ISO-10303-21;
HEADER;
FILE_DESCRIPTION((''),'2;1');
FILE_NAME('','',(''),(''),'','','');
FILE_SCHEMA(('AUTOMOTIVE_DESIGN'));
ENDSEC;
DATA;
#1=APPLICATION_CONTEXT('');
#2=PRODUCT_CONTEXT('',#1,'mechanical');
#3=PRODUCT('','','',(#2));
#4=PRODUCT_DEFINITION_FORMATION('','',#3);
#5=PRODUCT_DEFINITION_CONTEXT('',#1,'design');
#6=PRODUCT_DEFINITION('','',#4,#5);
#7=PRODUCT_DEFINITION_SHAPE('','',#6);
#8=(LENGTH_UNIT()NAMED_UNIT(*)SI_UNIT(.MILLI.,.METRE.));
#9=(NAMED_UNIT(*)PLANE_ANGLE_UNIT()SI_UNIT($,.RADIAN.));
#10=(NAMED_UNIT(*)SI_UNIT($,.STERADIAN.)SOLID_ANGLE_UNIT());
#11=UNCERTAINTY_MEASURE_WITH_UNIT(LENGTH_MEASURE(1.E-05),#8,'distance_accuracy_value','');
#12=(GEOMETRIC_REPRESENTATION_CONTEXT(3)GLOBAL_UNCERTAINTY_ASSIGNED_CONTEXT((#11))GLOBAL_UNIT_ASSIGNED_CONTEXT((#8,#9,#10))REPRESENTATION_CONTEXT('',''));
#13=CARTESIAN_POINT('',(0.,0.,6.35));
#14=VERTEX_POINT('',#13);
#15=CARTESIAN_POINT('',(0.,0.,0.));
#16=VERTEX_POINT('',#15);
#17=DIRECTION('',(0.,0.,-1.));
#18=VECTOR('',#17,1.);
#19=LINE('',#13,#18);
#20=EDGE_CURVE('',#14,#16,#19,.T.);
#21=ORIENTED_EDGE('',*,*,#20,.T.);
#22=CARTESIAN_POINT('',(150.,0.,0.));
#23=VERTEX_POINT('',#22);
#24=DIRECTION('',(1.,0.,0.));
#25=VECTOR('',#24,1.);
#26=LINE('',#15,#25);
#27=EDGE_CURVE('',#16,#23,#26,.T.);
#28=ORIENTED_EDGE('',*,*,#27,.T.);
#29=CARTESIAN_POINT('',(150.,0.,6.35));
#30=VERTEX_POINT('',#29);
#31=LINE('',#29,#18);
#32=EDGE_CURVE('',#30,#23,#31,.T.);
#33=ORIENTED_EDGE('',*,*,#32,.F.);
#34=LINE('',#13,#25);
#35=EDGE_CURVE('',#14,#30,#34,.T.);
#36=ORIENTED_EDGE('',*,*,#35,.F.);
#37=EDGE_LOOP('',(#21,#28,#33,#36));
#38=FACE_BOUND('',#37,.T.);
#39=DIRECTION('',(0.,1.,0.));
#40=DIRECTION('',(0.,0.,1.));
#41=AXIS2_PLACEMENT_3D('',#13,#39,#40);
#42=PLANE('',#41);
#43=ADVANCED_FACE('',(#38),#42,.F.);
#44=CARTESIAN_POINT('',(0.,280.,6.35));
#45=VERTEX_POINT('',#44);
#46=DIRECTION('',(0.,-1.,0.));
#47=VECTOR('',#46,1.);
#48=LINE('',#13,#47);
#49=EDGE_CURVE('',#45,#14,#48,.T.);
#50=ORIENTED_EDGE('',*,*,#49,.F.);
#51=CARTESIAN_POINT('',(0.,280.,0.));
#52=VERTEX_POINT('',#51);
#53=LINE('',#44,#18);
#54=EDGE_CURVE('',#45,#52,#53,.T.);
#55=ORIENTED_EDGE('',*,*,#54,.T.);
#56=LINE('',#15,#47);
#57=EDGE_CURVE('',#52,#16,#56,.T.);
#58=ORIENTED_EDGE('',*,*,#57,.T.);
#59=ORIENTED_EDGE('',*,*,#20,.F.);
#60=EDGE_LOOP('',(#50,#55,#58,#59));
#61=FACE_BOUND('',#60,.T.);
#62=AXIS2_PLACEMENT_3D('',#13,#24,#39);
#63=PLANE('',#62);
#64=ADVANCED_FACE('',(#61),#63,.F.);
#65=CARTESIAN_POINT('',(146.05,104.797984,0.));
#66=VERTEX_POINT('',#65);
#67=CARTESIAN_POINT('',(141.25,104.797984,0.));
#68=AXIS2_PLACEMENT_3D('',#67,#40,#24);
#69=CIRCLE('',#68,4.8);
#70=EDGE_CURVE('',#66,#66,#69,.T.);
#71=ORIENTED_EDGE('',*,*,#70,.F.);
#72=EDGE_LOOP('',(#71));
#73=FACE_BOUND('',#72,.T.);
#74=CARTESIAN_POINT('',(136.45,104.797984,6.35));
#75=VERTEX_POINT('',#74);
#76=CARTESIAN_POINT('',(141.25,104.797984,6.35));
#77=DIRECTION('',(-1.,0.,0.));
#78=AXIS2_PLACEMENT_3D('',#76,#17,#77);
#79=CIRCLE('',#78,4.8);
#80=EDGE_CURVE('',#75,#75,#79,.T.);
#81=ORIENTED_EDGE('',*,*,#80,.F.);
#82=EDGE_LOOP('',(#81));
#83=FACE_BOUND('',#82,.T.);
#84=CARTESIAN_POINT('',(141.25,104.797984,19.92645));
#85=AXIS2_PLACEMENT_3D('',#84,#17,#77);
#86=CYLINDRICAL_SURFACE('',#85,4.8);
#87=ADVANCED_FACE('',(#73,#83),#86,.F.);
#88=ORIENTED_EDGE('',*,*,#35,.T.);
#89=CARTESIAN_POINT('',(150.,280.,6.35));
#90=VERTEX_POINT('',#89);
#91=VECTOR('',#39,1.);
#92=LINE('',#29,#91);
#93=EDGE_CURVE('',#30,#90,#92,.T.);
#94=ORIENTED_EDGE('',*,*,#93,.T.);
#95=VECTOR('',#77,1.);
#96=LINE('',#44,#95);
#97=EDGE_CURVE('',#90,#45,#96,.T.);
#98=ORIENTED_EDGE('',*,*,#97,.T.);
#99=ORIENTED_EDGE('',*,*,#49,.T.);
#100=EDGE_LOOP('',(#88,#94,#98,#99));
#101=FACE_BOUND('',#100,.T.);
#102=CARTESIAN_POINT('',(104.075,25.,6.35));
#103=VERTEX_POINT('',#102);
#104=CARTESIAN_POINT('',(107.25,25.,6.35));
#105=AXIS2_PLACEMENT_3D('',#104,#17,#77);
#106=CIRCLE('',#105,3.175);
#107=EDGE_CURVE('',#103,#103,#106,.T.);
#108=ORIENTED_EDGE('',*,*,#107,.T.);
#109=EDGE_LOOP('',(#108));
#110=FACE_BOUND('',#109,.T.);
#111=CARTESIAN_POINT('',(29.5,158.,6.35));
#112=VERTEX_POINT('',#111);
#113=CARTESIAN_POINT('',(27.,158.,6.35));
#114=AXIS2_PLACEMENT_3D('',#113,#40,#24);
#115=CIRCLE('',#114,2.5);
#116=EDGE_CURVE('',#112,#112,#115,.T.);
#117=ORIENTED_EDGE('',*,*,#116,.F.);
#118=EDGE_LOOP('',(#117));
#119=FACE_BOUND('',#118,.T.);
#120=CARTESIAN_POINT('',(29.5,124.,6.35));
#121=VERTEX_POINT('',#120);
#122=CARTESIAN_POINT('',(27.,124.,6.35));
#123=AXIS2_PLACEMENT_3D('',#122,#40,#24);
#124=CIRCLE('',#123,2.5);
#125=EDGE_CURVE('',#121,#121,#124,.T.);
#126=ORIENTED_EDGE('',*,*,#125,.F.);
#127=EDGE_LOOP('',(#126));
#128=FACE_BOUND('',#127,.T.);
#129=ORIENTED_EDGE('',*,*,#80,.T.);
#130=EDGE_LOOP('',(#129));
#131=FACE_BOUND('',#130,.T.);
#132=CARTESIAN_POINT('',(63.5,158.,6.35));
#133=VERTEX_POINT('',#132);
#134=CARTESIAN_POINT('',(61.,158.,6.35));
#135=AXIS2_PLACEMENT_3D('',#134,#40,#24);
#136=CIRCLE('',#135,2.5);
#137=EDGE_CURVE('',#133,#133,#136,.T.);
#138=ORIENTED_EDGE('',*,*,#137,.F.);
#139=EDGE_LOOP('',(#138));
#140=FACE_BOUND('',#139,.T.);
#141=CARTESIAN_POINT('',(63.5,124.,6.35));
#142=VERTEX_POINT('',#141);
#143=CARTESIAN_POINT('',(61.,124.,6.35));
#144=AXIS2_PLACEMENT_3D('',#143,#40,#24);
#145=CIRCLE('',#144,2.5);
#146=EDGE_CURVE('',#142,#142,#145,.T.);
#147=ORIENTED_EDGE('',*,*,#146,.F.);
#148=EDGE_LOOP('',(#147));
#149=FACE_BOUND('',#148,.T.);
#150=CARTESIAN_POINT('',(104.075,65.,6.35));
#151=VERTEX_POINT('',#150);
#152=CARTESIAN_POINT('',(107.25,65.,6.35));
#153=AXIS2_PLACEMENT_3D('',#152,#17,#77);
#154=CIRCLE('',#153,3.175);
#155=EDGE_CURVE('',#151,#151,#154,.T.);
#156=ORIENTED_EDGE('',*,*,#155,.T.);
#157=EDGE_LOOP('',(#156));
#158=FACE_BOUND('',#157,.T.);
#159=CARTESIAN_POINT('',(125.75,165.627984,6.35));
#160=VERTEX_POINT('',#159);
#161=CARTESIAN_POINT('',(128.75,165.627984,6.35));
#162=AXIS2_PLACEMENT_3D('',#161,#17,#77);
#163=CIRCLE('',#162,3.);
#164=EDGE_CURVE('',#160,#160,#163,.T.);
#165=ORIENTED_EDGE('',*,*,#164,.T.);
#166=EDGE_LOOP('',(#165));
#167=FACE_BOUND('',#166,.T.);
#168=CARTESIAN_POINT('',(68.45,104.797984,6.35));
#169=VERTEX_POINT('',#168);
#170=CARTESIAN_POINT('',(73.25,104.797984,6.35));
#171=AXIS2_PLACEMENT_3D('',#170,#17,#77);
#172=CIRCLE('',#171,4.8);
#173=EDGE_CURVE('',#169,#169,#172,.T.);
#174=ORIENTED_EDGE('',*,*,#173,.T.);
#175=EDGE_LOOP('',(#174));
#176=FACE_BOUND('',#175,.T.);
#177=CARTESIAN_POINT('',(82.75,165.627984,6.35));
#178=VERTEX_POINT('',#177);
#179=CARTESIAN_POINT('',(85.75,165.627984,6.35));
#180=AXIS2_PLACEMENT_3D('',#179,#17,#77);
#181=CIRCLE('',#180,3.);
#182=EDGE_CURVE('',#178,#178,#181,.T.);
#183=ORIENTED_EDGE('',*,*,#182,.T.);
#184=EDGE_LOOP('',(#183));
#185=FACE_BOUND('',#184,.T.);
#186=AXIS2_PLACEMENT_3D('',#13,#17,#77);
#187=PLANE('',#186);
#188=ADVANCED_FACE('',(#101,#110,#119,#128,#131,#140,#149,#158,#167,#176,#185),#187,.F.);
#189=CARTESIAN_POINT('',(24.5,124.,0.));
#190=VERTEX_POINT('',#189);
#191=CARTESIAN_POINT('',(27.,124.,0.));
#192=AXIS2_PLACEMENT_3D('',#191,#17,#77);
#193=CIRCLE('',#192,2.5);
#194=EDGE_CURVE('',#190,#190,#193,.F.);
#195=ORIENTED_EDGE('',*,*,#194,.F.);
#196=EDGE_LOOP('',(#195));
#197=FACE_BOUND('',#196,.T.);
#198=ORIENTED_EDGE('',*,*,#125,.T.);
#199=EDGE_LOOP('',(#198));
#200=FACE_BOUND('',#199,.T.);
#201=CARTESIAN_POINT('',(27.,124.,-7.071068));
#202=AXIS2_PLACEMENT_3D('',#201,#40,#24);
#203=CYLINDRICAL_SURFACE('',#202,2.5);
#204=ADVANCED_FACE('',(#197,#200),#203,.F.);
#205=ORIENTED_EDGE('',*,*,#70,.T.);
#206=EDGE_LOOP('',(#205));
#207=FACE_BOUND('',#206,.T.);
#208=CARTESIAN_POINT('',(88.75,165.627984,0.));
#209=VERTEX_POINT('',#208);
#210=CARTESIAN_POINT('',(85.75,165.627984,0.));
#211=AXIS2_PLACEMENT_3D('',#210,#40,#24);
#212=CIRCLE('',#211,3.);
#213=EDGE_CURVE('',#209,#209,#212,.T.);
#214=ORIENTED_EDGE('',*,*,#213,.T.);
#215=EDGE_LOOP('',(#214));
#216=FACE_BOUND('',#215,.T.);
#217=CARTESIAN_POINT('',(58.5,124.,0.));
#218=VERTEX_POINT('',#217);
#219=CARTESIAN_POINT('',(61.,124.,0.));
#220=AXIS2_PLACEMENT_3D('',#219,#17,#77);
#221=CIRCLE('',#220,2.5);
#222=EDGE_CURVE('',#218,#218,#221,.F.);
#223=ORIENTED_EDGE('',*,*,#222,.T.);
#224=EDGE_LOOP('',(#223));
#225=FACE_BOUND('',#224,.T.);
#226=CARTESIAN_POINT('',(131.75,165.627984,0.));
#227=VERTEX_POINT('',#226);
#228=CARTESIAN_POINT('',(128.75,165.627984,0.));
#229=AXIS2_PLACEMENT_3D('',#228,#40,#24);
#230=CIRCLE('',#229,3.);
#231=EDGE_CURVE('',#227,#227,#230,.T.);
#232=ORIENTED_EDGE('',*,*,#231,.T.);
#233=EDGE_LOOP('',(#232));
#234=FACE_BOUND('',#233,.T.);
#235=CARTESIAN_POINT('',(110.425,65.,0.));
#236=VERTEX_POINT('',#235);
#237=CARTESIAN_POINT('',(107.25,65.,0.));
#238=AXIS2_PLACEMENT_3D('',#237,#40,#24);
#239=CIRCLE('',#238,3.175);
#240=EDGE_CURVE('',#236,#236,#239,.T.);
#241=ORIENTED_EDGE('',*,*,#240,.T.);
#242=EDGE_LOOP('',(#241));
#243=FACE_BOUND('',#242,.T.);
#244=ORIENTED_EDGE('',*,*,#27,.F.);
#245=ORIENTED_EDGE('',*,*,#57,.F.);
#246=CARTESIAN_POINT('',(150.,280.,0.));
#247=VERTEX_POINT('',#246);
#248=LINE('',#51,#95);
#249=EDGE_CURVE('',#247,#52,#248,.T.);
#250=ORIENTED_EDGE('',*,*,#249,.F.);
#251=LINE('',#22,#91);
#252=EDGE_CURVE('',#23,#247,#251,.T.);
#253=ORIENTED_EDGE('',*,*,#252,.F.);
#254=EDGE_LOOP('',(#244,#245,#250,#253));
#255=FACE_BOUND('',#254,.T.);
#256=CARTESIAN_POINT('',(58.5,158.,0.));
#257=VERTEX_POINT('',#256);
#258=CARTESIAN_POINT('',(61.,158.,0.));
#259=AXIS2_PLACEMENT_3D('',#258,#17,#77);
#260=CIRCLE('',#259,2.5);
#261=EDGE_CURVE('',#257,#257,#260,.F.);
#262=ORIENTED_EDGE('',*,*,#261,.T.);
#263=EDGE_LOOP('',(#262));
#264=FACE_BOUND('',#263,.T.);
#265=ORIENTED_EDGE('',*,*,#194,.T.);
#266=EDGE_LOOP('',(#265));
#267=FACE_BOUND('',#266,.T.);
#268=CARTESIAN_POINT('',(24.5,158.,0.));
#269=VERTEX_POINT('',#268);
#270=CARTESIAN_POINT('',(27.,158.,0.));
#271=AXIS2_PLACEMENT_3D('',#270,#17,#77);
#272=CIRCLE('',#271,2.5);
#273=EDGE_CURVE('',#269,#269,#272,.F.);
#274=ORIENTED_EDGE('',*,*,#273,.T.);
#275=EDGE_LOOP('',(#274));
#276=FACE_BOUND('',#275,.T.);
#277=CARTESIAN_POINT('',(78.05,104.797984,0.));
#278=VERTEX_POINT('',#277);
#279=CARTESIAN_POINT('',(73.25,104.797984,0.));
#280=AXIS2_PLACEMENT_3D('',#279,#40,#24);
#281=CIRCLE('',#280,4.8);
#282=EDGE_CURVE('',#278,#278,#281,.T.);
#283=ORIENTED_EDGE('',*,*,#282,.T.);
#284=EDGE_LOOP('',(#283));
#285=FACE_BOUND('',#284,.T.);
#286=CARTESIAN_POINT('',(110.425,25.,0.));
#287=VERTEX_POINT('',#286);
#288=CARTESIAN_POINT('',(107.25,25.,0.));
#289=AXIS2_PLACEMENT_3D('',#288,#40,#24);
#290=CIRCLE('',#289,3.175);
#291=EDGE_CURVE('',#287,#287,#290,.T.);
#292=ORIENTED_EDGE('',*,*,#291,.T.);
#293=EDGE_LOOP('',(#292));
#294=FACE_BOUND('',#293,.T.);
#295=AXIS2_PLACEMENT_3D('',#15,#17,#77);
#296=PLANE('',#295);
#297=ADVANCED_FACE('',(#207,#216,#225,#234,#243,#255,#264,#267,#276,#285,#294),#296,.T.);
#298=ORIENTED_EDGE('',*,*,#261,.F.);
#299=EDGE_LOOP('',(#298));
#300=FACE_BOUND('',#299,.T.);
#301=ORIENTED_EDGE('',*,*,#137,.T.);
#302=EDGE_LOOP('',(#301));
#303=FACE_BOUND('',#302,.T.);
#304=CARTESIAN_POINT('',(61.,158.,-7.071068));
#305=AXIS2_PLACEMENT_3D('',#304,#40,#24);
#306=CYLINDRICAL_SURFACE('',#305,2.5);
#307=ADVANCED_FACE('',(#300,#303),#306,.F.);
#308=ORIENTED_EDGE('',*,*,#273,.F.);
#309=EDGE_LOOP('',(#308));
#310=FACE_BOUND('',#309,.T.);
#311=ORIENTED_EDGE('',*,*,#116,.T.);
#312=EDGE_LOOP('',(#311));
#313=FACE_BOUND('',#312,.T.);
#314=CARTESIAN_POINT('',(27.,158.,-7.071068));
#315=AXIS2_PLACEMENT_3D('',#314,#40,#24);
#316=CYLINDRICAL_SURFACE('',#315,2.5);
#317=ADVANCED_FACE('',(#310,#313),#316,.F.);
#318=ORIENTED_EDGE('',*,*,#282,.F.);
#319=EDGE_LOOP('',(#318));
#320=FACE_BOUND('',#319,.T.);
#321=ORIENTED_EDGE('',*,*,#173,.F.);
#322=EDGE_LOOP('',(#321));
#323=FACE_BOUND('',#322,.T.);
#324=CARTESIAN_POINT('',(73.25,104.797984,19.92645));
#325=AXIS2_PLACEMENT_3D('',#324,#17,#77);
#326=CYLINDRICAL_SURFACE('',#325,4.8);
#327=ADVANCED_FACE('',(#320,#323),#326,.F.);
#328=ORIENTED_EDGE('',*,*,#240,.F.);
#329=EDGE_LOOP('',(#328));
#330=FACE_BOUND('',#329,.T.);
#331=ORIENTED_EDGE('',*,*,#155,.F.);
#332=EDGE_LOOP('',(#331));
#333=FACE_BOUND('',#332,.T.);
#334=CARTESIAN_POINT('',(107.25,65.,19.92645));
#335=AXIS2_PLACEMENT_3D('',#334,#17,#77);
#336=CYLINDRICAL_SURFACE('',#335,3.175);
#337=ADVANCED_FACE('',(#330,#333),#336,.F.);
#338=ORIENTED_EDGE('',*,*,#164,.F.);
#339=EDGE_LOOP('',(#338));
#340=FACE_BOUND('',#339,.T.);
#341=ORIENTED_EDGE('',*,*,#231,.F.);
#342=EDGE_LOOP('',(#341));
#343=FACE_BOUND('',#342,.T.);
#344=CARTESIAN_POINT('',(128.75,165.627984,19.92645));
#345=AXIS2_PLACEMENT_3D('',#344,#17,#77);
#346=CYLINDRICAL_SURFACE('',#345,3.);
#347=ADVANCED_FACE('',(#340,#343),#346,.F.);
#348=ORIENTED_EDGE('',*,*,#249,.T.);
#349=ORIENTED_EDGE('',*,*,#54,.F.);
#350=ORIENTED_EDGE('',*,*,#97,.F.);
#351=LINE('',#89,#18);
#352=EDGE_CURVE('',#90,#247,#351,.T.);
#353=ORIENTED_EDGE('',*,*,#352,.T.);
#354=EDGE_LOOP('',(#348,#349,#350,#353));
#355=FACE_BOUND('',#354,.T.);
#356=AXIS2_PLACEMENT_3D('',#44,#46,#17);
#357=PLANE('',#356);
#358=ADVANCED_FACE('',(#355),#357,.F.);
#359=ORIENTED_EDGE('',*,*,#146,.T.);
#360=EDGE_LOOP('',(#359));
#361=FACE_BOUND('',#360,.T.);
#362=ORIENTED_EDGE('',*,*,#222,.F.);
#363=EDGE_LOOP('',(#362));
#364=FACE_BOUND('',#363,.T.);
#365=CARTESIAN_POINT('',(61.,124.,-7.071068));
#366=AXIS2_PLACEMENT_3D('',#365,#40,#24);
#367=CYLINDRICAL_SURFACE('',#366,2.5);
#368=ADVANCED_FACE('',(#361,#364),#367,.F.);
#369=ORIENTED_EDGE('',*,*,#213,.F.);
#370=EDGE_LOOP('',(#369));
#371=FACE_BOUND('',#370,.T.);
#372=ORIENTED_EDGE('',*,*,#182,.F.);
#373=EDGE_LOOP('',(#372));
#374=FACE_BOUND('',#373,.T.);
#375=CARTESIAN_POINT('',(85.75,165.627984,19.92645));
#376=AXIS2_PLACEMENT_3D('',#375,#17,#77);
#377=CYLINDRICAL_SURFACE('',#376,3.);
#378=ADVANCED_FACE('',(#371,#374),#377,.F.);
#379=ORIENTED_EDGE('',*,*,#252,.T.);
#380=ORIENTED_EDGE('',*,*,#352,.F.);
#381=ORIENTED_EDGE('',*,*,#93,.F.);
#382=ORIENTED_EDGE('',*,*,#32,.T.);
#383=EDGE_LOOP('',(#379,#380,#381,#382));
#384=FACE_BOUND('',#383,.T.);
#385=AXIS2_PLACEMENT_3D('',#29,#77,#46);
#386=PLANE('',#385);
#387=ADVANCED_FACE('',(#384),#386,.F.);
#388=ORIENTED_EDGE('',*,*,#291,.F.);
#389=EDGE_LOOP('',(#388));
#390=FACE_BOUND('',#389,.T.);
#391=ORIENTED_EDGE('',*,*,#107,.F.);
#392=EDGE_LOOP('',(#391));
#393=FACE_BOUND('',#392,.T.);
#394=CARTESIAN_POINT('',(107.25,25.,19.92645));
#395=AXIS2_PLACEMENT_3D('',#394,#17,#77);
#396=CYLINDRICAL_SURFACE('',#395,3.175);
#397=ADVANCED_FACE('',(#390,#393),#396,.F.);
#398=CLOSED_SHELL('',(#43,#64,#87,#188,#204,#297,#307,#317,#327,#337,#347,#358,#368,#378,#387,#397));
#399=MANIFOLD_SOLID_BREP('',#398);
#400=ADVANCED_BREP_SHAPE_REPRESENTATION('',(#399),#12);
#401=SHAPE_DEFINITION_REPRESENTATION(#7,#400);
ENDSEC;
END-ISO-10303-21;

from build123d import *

# Parameters (mm, degrees)
SKETCH1_W           = 150
SKETCH1_H           = 280
BOSS_EXTRUDE1_DEPTH = 6.35
SKETCH4_R           = 3.175
SKETCH4_R_2         = 3
CUT_EXTRUDE1_DEPTH  = 6.35
CUT_EXTRUDE2_DEPTH  = 6.35


with BuildPart() as part:
    # Sketch1 → Boss-Extrude1 (new body)
    with BuildSketch(Plane.XY):
        with Locations((75, 140)):
            Rectangle(SKETCH1_W, SKETCH1_H)
    extrude(amount=BOSS_EXTRUDE1_DEPTH)

    # Sketch4 → Cut-Extrude1 (cut)
    with BuildSketch(Plane.XY):
        with Locations(Location((107.25, 25, 0), (0, 0, 180))):
            Circle(SKETCH4_R)
        with BuildLine():
            ThreePointArc((141.25, 109.597983852), (136.45, 104.797983852), (141.25, 99.997983852))
            ThreePointArc((141.25, 99.997983852), (146.05, 104.797983852), (141.25, 109.597983852))
        make_face()
        with BuildLine():
            ThreePointArc((73.25, 99.997983852), (78.05, 104.797983852), (73.25, 109.597983852))
            ThreePointArc((73.25, 109.597983852), (68.45, 104.797983852), (73.25, 99.997983852))
        make_face()
        with Locations(Location((128.750000003, 165.627983852, 0), (0, 0, 180))):
            Circle(SKETCH4_R_2)
        with Locations(Location((85.750000003, 165.627983852, 0), (0, 0, 180))):
            Circle(SKETCH4_R_2)
        with Locations(Location((107.25, 65, 0), (0, 0, 180))):
            Circle(SKETCH4_R)
    extrude(amount=CUT_EXTRUDE1_DEPTH, mode=Mode.SUBTRACT)

    # Sketch5 → Cut-Extrude2 (cut)
    with BuildSketch(Plane(origin=(0, 0, 6.35), x_dir=(-1, 0, 0), z_dir=(0, 0, 1))):
        with BuildLine():
            ThreePointArc((-61, -155.5), (-63.5, -158), (-61, -160.5))
            ThreePointArc((-61, -160.5), (-58.5, -158), (-61, -155.5))
        make_face()
        with BuildLine():
            ThreePointArc((-27, -155.5), (-29.5, -158), (-27, -160.5))
            ThreePointArc((-27, -160.5), (-24.5, -158), (-27, -155.5))
        make_face()
        with BuildLine():
            ThreePointArc((-27, -121.5), (-29.5, -124), (-27, -126.5))
            ThreePointArc((-27, -126.5), (-24.5, -124), (-27, -121.5))
        make_face()
        with BuildLine():
            ThreePointArc((-61, -126.5), (-58.5, -124), (-61, -121.5))
            ThreePointArc((-61, -121.5), (-63.5, -124), (-61, -126.5))
        make_face()
    extrude(amount=-CUT_EXTRUDE2_DEPTH, mode=Mode.SUBTRACT)


solid = part.part
